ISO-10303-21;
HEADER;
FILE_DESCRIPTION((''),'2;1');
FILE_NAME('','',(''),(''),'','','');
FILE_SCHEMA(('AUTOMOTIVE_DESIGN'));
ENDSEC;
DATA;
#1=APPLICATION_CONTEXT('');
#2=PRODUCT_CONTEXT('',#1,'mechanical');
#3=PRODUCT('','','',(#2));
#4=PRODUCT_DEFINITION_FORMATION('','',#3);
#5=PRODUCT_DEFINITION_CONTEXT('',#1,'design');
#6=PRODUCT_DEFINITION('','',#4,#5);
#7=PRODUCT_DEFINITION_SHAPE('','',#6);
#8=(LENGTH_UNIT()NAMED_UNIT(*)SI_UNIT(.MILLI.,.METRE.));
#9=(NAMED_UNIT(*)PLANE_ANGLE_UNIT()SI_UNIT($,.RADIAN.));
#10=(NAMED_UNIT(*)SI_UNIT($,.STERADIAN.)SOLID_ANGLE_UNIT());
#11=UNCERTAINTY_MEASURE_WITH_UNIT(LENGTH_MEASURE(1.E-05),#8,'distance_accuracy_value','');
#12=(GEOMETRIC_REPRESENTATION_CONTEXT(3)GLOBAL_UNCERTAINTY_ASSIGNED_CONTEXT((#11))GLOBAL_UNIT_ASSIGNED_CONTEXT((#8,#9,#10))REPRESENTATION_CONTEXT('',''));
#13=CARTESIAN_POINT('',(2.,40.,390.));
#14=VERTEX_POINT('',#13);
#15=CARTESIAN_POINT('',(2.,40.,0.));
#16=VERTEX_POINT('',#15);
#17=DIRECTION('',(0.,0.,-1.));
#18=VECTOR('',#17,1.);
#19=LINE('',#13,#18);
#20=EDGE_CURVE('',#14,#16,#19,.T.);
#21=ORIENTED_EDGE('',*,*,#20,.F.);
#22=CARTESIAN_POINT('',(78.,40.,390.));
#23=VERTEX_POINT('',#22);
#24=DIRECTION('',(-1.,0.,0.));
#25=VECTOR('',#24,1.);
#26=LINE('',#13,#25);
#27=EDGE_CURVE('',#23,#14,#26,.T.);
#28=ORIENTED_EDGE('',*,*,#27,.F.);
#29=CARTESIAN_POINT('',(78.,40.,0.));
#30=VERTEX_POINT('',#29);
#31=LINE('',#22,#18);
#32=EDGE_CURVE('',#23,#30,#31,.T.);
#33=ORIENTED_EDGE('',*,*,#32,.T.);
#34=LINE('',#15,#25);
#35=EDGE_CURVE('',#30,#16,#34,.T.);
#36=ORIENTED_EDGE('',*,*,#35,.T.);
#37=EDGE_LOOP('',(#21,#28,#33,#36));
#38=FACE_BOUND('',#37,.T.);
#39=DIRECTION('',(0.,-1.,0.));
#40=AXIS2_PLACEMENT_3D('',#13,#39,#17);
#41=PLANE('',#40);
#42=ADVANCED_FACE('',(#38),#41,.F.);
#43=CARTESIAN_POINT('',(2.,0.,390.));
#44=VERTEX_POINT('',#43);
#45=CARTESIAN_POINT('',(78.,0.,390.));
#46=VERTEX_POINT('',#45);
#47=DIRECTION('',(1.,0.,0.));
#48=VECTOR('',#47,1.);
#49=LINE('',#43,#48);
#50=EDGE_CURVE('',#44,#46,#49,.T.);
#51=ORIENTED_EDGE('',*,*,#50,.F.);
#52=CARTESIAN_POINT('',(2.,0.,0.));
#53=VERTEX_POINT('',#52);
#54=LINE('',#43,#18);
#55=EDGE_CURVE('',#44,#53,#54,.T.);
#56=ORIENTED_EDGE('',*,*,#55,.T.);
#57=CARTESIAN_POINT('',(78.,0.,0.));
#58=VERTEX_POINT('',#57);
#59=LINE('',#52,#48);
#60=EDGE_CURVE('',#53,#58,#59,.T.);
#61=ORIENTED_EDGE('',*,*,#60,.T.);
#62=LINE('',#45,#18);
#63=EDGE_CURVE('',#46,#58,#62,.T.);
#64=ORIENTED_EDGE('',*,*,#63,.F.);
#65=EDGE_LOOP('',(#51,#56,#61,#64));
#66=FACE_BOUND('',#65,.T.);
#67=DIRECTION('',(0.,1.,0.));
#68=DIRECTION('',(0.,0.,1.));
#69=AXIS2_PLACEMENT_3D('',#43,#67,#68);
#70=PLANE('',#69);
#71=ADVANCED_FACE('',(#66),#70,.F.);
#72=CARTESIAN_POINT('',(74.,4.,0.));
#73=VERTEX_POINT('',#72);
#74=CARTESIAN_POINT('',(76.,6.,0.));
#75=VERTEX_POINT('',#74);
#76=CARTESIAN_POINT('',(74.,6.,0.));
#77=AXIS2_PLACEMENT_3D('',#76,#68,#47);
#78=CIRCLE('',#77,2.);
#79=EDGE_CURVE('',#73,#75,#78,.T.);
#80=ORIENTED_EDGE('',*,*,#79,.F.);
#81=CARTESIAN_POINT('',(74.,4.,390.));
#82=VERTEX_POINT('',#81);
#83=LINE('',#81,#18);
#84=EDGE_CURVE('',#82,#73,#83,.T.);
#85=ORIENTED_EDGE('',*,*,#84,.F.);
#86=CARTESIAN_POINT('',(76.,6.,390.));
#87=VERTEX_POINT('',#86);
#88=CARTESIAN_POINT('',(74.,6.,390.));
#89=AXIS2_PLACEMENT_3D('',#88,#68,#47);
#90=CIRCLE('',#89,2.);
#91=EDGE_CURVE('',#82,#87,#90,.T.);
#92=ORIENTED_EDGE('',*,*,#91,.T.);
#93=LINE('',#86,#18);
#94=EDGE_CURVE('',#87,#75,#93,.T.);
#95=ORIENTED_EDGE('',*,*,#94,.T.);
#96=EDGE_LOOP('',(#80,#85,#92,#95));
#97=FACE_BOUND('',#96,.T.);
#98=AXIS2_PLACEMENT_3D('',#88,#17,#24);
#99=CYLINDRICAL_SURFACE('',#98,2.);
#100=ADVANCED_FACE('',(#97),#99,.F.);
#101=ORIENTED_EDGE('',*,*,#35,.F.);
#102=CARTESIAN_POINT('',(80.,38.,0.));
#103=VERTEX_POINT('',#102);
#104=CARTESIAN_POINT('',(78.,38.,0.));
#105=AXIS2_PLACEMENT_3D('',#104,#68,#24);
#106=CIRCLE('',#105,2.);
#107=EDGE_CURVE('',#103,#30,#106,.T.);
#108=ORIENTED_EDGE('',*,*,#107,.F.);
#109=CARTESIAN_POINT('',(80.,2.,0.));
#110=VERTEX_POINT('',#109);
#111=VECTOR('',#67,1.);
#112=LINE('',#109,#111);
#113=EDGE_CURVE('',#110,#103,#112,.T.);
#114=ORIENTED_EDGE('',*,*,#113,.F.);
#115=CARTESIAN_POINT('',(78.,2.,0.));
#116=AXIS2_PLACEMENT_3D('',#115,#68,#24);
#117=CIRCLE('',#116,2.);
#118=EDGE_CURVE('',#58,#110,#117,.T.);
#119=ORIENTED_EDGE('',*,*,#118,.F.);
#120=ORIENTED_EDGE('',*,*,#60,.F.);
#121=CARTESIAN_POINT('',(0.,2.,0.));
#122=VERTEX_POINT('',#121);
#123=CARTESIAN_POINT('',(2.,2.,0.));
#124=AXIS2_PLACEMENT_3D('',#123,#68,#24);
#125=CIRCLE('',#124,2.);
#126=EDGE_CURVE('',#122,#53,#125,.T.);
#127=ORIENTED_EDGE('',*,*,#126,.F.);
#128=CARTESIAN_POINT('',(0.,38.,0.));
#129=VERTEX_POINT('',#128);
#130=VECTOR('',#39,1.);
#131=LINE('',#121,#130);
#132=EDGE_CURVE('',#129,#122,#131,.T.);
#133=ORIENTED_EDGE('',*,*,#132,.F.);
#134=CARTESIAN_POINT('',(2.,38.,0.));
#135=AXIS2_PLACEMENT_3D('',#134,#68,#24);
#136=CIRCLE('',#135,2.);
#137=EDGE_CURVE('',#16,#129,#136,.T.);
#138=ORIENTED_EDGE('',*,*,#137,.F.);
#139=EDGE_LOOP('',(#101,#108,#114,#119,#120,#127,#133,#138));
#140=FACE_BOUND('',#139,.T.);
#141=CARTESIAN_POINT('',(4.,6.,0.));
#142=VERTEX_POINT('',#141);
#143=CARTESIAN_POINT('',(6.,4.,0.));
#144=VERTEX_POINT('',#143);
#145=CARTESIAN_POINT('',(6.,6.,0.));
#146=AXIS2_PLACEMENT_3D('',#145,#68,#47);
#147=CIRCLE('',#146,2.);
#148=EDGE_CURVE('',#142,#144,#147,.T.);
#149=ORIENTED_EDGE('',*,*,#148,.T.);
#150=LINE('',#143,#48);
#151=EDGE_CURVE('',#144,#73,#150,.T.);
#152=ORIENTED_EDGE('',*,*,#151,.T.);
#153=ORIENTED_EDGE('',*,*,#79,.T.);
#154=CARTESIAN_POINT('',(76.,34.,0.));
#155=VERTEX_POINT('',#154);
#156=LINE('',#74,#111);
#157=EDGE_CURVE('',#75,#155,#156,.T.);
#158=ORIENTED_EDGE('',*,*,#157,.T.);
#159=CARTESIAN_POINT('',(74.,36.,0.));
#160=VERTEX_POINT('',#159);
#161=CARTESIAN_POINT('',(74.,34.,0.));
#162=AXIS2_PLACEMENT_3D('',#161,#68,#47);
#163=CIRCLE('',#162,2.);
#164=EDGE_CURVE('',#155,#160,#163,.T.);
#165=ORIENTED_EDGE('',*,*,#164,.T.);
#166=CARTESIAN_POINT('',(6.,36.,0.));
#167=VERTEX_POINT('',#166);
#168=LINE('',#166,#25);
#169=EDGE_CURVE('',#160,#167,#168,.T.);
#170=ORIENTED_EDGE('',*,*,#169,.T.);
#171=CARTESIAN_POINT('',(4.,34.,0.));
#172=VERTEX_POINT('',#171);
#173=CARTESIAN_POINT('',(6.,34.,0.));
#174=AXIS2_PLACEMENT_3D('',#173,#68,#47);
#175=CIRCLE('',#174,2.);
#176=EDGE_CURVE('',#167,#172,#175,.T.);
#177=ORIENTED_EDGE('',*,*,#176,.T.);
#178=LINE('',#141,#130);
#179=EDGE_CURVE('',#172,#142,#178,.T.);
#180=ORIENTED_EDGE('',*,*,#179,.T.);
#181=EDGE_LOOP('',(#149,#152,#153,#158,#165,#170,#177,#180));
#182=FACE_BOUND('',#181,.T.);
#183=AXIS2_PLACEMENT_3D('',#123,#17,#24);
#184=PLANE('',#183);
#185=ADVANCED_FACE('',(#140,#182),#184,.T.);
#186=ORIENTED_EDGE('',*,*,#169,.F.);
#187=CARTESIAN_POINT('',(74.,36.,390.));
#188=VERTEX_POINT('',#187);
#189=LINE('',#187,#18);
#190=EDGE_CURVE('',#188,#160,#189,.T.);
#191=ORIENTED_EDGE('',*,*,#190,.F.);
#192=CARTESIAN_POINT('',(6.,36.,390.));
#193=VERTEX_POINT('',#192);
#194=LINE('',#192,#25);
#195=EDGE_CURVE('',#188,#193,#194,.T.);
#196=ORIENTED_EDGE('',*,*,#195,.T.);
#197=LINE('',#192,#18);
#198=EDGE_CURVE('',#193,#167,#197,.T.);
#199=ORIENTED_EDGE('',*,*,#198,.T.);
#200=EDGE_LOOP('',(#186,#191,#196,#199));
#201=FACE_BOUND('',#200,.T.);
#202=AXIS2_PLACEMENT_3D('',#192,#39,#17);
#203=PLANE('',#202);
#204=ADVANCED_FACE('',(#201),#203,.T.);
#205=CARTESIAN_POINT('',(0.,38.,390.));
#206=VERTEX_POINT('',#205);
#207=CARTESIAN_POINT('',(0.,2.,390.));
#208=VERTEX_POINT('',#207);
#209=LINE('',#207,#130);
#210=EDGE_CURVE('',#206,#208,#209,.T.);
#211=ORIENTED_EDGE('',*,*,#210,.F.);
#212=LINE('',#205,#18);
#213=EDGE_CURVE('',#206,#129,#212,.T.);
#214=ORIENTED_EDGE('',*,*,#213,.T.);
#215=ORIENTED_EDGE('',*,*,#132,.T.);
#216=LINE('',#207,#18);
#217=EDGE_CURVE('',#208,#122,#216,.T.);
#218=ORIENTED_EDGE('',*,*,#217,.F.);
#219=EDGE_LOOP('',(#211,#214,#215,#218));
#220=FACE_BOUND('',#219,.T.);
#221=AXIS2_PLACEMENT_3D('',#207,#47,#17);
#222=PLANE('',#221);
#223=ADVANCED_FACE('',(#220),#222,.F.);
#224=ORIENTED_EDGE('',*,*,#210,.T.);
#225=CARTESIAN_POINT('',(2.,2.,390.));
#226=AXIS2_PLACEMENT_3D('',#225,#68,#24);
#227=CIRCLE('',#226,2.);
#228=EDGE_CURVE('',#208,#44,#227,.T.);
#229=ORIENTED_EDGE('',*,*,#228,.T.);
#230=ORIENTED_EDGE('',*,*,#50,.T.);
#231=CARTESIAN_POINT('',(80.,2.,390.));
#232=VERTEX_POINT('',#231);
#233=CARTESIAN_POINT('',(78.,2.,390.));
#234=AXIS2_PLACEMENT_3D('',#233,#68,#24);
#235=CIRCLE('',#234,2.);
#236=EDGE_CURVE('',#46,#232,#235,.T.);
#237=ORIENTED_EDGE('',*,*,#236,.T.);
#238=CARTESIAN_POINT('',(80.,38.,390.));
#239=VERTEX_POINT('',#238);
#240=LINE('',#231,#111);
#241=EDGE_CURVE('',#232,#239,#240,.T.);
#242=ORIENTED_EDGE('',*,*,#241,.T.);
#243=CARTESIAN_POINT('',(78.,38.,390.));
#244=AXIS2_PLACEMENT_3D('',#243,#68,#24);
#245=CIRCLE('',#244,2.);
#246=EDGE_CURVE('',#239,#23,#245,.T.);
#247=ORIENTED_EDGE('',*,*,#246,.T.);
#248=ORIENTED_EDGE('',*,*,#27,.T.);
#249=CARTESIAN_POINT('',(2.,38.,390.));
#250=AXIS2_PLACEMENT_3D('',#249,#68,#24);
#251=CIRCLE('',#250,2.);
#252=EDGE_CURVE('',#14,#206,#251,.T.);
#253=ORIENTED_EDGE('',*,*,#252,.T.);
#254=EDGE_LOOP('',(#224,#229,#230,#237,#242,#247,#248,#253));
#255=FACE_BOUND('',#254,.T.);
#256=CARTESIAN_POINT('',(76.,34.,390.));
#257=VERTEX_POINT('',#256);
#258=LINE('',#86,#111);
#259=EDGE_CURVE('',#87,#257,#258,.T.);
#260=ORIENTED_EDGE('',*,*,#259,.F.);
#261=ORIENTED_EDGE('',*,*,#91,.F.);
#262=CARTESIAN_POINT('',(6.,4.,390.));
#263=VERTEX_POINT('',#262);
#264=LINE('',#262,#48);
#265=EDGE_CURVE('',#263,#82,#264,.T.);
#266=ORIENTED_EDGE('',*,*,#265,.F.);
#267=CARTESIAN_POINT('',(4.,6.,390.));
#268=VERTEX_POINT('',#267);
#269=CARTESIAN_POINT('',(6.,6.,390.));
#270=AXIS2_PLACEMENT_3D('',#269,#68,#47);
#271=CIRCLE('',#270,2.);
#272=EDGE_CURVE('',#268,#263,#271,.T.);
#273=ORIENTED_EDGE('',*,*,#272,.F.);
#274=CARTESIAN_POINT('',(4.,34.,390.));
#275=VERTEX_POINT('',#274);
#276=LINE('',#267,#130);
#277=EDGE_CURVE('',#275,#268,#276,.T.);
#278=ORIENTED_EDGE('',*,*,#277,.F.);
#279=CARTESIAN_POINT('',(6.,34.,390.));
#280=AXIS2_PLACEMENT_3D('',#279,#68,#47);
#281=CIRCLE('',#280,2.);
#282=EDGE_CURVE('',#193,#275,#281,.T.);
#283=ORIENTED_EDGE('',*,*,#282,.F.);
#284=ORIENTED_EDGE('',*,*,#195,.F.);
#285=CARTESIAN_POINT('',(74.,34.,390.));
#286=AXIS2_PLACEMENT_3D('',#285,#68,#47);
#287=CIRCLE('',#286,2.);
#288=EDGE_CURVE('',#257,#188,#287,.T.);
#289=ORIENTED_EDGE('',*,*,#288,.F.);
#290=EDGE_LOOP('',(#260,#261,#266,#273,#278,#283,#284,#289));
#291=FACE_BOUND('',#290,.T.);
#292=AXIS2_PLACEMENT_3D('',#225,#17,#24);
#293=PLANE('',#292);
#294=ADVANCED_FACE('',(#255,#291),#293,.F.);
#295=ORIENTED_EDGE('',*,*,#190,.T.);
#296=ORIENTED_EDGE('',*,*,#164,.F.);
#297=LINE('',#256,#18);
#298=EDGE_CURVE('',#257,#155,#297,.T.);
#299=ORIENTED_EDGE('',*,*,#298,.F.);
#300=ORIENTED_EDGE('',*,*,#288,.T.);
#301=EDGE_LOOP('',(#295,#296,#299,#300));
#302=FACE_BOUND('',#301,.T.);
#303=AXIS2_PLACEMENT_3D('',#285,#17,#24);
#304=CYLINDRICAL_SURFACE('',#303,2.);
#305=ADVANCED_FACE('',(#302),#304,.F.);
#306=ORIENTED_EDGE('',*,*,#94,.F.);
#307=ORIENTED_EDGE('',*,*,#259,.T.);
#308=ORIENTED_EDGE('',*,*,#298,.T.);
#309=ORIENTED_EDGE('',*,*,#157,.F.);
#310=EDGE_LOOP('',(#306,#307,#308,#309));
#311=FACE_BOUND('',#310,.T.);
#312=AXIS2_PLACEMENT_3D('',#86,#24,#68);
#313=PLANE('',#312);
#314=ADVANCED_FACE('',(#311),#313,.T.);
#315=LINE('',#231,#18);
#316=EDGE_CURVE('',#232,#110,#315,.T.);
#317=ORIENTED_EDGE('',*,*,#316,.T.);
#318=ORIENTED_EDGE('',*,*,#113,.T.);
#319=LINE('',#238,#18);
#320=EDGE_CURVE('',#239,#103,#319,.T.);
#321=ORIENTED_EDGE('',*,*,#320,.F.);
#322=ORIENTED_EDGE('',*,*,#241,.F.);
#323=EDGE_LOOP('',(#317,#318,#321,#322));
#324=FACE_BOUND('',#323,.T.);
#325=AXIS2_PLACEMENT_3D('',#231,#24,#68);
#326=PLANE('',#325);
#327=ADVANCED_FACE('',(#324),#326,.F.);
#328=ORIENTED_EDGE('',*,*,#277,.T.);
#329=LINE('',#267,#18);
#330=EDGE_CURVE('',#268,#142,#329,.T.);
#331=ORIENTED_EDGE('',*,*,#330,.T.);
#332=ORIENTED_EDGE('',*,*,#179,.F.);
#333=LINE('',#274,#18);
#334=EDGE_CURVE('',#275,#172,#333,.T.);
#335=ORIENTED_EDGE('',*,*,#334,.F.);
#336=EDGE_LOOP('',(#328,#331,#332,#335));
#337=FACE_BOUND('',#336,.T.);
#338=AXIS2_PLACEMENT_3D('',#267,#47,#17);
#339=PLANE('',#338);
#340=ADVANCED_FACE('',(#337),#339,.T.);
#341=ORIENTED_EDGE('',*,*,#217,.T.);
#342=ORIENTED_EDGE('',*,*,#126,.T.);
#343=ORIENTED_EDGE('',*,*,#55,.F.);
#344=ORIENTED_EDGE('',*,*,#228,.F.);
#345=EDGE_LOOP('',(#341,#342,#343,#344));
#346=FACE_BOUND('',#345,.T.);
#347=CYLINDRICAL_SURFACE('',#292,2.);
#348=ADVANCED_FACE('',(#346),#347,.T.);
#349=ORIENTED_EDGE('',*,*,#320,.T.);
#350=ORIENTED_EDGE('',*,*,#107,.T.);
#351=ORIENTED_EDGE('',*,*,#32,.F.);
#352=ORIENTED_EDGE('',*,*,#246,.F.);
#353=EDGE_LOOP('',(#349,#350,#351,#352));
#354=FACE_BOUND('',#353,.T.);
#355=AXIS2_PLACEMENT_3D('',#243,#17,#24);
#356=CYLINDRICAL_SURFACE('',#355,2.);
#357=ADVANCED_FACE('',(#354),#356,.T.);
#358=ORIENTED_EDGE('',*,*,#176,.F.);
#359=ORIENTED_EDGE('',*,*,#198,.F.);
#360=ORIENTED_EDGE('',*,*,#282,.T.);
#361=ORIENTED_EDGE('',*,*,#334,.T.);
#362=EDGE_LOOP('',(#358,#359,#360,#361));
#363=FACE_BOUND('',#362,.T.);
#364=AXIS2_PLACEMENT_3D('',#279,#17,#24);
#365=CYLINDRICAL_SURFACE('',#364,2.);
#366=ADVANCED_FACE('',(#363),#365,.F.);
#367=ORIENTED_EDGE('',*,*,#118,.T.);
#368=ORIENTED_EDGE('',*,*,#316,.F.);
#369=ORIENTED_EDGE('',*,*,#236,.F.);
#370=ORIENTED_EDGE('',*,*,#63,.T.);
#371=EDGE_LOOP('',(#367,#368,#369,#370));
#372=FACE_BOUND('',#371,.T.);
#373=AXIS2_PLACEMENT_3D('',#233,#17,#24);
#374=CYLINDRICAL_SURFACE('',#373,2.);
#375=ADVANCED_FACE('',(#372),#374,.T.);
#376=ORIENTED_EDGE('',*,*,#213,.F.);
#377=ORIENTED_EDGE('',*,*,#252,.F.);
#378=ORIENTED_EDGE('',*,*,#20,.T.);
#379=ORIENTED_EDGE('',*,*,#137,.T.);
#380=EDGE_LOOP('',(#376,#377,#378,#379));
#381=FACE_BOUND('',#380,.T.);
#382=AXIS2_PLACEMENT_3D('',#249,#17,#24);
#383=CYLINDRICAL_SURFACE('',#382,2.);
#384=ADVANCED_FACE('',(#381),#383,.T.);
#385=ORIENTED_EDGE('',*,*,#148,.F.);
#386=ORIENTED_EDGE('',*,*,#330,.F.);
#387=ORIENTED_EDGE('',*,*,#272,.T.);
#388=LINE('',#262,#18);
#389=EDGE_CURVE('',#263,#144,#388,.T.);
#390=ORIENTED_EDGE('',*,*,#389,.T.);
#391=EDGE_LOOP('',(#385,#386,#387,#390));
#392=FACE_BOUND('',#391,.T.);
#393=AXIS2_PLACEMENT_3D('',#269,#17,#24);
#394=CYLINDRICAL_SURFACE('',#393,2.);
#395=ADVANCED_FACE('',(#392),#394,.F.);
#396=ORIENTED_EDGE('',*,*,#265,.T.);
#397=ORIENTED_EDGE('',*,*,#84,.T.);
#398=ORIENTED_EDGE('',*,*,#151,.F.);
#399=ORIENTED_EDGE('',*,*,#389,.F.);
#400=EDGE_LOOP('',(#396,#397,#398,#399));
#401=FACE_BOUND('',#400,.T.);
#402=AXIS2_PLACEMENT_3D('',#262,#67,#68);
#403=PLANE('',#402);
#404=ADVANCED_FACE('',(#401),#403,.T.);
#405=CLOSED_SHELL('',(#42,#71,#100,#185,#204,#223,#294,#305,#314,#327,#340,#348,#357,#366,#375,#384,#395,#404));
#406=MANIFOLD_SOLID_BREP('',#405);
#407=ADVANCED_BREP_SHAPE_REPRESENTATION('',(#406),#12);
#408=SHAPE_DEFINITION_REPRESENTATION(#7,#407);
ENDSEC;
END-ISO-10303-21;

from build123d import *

# Parameters (mm, degrees)
BOSS_EXTRU_1_DEPTH = 390


with BuildPart() as part:
    # Esquisse2 → Boss.-Extru.1 (new body)
    with BuildSketch(Plane.XY):
        with BuildLine():
            Line((2, 0), (78, 0))
            ThreePointArc((78, 0), (79.414213562, 0.585786438), (80, 2))
            Line((80, 2), (80, 38))
            ThreePointArc((80, 38), (79.414213562, 39.414213562), (78, 40))
            Line((78, 40), (2, 40))
            ThreePointArc((2, 40), (0.585786438, 39.414213562), (0, 38))
            Line((0, 38), (0, 2))
            ThreePointArc((0, 2), (0.585786438, 0.585786438), (2, 0))
        make_face()
        with BuildLine():
            Line((6, 4), (74, 4))
            ThreePointArc((74, 4), (75.414213562, 4.585786438), (76, 6))
            Line((76, 6), (76, 34))
            ThreePointArc((76, 34), (75.414213562, 35.414213562), (74, 36))
            Line((74, 36), (6, 36))
            ThreePointArc((6, 36), (4.585786438, 35.414213562), (4, 34))
            Line((4, 34), (4, 6))
            ThreePointArc((4, 6), (4.585786438, 4.585786438), (6, 4))
        make_face(mode=Mode.SUBTRACT)
    extrude(amount=BOSS_EXTRU_1_DEPTH)


solid = part.part
